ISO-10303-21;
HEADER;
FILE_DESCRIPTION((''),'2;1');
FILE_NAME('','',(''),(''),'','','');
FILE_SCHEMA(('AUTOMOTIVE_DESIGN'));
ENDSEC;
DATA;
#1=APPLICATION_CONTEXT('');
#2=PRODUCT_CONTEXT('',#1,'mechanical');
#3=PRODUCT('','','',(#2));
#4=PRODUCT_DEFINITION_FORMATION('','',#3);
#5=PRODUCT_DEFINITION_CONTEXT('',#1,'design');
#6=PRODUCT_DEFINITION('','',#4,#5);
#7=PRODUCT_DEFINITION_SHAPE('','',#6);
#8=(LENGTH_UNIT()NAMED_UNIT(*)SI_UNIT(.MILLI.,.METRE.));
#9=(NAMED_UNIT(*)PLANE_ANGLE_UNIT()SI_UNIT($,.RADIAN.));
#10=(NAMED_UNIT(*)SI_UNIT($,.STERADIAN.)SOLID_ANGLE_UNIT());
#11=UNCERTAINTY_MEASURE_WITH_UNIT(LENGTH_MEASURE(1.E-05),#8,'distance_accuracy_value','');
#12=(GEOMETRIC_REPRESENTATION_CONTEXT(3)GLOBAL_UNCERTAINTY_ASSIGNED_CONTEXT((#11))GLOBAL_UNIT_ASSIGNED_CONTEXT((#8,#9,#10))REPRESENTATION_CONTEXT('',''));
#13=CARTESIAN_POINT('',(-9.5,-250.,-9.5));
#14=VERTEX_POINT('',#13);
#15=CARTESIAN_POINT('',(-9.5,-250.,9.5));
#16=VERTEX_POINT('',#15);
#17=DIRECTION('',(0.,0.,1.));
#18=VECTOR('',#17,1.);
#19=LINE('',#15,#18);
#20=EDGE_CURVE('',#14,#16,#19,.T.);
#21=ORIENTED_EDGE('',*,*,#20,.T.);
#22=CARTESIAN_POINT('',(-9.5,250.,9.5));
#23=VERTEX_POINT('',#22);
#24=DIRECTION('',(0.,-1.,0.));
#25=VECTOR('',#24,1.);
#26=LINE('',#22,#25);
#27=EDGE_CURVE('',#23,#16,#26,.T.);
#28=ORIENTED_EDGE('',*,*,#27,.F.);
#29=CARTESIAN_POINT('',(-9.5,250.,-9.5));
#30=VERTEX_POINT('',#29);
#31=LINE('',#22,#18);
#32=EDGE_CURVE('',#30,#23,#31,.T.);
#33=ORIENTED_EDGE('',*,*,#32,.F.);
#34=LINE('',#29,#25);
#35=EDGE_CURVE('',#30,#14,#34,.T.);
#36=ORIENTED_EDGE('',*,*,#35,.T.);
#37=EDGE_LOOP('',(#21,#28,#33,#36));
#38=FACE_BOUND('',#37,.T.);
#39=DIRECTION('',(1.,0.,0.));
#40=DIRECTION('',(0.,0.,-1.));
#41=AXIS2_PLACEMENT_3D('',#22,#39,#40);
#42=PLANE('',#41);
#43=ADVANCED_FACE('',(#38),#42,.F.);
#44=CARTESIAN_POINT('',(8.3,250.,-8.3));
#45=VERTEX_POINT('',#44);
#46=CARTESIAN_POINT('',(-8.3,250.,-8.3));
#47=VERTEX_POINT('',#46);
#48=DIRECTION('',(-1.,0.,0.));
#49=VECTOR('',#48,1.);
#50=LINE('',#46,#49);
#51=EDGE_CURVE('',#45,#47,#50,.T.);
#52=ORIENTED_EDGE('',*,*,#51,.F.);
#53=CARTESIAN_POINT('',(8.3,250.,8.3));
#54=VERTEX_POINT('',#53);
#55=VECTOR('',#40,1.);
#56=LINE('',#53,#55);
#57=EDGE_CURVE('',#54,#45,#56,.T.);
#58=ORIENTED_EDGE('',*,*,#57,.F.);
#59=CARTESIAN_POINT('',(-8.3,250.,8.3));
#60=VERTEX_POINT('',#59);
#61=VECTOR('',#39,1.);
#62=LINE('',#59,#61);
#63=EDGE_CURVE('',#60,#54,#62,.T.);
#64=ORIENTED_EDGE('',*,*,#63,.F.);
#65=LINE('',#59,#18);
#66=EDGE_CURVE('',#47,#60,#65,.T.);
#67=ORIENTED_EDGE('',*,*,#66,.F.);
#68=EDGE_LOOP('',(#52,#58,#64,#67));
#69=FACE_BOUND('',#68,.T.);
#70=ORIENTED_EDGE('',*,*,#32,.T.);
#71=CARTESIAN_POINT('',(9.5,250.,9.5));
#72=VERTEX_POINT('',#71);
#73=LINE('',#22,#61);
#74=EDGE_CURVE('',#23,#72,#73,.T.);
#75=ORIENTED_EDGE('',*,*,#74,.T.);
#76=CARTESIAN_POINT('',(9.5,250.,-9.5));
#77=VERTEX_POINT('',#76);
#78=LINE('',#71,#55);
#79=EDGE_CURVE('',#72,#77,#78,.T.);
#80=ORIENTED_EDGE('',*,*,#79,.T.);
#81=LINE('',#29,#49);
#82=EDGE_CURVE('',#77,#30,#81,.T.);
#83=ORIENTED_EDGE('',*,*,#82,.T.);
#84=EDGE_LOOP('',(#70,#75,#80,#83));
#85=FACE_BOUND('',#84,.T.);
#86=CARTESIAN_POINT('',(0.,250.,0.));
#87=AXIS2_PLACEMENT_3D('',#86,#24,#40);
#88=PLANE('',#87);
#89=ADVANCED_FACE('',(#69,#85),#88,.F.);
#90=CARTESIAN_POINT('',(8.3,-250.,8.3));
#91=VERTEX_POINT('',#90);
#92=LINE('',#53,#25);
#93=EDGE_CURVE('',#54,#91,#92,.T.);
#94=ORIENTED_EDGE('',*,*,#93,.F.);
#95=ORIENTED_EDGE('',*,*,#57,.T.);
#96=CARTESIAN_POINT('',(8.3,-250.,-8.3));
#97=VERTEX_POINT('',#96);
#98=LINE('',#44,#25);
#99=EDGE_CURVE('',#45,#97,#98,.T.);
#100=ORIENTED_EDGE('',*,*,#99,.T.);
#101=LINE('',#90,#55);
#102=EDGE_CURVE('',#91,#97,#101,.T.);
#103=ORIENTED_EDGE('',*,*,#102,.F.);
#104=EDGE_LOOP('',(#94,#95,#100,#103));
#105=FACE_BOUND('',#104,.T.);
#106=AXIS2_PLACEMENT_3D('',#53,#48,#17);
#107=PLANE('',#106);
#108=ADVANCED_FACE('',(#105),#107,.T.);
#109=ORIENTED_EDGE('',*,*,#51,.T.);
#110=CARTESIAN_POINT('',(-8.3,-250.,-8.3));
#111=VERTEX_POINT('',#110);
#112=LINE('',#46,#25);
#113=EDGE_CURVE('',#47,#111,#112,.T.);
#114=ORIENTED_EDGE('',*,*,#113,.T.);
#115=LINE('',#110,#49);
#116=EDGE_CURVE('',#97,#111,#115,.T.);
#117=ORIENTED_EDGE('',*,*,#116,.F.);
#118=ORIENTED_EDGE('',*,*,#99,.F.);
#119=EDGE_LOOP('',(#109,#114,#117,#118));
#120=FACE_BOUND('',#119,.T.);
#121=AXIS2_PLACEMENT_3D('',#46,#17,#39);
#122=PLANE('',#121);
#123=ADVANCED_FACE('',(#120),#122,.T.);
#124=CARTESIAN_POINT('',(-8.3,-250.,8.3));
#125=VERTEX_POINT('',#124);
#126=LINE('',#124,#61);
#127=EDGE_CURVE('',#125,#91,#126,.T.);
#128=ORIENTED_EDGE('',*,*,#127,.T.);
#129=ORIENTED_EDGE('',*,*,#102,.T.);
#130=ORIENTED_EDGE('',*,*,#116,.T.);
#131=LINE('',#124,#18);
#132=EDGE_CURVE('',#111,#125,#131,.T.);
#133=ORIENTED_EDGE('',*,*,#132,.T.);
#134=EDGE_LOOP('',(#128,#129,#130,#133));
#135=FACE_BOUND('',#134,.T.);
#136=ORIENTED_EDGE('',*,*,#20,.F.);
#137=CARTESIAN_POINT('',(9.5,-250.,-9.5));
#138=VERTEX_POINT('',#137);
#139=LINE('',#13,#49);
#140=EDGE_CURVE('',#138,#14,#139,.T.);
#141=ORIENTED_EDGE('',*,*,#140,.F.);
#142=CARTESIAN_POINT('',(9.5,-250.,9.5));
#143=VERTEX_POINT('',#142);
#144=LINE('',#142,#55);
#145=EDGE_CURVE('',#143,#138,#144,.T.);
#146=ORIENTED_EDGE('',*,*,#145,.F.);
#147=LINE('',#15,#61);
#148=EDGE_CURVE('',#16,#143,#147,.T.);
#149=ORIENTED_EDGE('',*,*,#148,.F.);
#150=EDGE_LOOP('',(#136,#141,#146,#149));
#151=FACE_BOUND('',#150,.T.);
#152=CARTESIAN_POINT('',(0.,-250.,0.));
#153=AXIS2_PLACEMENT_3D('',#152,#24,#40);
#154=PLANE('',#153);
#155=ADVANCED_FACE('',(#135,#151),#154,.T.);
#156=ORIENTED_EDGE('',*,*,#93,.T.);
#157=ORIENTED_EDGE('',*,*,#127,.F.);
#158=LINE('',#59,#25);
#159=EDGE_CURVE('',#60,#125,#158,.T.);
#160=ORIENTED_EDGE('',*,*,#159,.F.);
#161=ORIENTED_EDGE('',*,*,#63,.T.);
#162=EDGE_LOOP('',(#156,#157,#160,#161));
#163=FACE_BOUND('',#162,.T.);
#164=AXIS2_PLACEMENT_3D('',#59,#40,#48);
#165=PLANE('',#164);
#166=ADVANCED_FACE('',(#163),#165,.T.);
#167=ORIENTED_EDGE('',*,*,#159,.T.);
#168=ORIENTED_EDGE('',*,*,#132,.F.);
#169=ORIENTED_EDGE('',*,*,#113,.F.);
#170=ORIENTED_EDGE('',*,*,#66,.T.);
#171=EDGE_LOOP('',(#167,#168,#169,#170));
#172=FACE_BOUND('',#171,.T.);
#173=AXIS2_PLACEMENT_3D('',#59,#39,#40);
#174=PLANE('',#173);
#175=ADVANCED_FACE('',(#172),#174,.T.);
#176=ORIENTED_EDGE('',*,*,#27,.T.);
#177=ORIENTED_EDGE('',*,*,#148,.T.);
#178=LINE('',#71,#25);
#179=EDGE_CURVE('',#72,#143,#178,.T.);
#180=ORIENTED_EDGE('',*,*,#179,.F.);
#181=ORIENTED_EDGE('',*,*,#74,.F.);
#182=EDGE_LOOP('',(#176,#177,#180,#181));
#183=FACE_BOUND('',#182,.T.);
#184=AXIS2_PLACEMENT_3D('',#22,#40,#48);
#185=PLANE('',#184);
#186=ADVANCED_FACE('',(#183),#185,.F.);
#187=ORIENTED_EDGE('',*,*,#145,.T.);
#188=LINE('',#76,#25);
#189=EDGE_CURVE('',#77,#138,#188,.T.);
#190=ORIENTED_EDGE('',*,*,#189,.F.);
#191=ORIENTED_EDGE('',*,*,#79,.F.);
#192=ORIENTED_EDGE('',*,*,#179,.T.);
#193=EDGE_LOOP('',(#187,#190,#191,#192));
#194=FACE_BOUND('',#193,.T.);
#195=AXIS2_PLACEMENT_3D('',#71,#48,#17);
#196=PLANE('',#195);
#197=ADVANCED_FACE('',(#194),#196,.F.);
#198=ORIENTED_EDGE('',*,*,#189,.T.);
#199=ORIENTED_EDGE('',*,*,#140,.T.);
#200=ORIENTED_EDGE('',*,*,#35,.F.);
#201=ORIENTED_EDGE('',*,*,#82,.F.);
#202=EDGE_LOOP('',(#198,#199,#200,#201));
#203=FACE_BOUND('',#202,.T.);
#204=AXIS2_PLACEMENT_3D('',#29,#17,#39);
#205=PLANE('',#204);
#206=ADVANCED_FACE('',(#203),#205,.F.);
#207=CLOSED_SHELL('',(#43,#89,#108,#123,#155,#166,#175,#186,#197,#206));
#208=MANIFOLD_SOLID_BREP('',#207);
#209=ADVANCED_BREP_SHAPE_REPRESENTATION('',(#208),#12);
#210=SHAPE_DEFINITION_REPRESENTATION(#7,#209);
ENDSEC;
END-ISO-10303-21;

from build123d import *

# Parameters (mm, degrees)
SKETCH2_W           = 19
SKETCH2_H           = 19
SKETCH2_W_2         = 16.6
SKETCH2_H_2         = 16.6
BOSS_EXTRUDE1_DEPTH = 250


with BuildPart() as part:
    # Sketch2 → Boss-Extrude1 (new, symmetric)
    with BuildSketch(Plane(origin=(0, 0, 0), x_dir=(1, 0, 0), z_dir=(0, 1, 0))):
        Rectangle(SKETCH2_W, SKETCH2_H)
        Rectangle(SKETCH2_W_2, SKETCH2_H_2, mode=Mode.SUBTRACT)
    extrude(amount=BOSS_EXTRUDE1_DEPTH, both=True)


solid = part.part
